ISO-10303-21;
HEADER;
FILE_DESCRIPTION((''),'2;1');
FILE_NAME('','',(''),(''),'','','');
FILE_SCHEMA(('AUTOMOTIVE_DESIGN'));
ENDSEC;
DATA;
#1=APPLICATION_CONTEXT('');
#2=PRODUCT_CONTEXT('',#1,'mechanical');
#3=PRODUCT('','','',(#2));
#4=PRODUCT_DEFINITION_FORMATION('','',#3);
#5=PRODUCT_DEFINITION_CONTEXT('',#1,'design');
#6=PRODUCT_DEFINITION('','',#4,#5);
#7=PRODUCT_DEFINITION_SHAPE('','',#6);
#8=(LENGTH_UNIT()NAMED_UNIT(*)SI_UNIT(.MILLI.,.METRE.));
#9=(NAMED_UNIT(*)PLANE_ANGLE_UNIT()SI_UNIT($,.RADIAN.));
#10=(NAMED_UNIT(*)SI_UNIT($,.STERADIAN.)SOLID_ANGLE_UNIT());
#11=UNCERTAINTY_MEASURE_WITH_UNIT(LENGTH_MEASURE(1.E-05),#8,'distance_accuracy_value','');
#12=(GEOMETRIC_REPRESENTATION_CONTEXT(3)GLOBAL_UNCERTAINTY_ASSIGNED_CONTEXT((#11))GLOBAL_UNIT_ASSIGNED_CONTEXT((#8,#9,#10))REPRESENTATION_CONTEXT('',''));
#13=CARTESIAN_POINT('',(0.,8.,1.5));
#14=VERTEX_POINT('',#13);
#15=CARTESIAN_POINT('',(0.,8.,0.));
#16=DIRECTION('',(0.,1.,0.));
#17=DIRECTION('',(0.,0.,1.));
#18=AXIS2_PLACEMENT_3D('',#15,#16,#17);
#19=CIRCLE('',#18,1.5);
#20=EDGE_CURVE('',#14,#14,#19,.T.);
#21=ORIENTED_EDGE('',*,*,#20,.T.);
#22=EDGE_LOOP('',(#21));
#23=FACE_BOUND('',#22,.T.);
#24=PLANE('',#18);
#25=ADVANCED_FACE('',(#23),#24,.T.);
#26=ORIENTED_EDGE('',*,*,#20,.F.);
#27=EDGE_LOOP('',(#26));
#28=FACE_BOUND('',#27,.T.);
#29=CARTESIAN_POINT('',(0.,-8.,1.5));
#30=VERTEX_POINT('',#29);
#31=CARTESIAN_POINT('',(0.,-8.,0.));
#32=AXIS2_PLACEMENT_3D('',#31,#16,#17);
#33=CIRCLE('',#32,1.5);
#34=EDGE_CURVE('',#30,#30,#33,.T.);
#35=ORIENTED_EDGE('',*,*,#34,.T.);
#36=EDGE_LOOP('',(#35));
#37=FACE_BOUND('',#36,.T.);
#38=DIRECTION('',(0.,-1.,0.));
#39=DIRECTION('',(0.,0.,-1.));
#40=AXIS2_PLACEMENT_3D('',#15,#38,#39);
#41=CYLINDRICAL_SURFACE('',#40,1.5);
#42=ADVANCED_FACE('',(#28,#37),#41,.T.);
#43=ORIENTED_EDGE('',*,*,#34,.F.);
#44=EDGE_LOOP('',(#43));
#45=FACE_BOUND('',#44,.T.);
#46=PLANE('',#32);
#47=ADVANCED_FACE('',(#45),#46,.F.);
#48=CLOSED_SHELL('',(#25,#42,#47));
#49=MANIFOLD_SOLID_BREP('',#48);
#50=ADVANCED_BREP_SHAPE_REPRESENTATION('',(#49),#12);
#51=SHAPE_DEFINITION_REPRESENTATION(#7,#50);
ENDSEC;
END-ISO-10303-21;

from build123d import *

# Parameters (mm, degrees)
SKETCH1_R           = 1.5
BOSS_EXTRUDE1_DEPTH = 8


with BuildPart() as part:
    # Sketch1 → Boss-Extrude1 (new body, symmetric)
    with BuildSketch(Plane(origin=(0, 0, 0), x_dir=(1, 0, 0), z_dir=(0, 1, 0))):
        Circle(SKETCH1_R)
    extrude(amount=BOSS_EXTRUDE1_DEPTH, both=True)


solid = part.part
